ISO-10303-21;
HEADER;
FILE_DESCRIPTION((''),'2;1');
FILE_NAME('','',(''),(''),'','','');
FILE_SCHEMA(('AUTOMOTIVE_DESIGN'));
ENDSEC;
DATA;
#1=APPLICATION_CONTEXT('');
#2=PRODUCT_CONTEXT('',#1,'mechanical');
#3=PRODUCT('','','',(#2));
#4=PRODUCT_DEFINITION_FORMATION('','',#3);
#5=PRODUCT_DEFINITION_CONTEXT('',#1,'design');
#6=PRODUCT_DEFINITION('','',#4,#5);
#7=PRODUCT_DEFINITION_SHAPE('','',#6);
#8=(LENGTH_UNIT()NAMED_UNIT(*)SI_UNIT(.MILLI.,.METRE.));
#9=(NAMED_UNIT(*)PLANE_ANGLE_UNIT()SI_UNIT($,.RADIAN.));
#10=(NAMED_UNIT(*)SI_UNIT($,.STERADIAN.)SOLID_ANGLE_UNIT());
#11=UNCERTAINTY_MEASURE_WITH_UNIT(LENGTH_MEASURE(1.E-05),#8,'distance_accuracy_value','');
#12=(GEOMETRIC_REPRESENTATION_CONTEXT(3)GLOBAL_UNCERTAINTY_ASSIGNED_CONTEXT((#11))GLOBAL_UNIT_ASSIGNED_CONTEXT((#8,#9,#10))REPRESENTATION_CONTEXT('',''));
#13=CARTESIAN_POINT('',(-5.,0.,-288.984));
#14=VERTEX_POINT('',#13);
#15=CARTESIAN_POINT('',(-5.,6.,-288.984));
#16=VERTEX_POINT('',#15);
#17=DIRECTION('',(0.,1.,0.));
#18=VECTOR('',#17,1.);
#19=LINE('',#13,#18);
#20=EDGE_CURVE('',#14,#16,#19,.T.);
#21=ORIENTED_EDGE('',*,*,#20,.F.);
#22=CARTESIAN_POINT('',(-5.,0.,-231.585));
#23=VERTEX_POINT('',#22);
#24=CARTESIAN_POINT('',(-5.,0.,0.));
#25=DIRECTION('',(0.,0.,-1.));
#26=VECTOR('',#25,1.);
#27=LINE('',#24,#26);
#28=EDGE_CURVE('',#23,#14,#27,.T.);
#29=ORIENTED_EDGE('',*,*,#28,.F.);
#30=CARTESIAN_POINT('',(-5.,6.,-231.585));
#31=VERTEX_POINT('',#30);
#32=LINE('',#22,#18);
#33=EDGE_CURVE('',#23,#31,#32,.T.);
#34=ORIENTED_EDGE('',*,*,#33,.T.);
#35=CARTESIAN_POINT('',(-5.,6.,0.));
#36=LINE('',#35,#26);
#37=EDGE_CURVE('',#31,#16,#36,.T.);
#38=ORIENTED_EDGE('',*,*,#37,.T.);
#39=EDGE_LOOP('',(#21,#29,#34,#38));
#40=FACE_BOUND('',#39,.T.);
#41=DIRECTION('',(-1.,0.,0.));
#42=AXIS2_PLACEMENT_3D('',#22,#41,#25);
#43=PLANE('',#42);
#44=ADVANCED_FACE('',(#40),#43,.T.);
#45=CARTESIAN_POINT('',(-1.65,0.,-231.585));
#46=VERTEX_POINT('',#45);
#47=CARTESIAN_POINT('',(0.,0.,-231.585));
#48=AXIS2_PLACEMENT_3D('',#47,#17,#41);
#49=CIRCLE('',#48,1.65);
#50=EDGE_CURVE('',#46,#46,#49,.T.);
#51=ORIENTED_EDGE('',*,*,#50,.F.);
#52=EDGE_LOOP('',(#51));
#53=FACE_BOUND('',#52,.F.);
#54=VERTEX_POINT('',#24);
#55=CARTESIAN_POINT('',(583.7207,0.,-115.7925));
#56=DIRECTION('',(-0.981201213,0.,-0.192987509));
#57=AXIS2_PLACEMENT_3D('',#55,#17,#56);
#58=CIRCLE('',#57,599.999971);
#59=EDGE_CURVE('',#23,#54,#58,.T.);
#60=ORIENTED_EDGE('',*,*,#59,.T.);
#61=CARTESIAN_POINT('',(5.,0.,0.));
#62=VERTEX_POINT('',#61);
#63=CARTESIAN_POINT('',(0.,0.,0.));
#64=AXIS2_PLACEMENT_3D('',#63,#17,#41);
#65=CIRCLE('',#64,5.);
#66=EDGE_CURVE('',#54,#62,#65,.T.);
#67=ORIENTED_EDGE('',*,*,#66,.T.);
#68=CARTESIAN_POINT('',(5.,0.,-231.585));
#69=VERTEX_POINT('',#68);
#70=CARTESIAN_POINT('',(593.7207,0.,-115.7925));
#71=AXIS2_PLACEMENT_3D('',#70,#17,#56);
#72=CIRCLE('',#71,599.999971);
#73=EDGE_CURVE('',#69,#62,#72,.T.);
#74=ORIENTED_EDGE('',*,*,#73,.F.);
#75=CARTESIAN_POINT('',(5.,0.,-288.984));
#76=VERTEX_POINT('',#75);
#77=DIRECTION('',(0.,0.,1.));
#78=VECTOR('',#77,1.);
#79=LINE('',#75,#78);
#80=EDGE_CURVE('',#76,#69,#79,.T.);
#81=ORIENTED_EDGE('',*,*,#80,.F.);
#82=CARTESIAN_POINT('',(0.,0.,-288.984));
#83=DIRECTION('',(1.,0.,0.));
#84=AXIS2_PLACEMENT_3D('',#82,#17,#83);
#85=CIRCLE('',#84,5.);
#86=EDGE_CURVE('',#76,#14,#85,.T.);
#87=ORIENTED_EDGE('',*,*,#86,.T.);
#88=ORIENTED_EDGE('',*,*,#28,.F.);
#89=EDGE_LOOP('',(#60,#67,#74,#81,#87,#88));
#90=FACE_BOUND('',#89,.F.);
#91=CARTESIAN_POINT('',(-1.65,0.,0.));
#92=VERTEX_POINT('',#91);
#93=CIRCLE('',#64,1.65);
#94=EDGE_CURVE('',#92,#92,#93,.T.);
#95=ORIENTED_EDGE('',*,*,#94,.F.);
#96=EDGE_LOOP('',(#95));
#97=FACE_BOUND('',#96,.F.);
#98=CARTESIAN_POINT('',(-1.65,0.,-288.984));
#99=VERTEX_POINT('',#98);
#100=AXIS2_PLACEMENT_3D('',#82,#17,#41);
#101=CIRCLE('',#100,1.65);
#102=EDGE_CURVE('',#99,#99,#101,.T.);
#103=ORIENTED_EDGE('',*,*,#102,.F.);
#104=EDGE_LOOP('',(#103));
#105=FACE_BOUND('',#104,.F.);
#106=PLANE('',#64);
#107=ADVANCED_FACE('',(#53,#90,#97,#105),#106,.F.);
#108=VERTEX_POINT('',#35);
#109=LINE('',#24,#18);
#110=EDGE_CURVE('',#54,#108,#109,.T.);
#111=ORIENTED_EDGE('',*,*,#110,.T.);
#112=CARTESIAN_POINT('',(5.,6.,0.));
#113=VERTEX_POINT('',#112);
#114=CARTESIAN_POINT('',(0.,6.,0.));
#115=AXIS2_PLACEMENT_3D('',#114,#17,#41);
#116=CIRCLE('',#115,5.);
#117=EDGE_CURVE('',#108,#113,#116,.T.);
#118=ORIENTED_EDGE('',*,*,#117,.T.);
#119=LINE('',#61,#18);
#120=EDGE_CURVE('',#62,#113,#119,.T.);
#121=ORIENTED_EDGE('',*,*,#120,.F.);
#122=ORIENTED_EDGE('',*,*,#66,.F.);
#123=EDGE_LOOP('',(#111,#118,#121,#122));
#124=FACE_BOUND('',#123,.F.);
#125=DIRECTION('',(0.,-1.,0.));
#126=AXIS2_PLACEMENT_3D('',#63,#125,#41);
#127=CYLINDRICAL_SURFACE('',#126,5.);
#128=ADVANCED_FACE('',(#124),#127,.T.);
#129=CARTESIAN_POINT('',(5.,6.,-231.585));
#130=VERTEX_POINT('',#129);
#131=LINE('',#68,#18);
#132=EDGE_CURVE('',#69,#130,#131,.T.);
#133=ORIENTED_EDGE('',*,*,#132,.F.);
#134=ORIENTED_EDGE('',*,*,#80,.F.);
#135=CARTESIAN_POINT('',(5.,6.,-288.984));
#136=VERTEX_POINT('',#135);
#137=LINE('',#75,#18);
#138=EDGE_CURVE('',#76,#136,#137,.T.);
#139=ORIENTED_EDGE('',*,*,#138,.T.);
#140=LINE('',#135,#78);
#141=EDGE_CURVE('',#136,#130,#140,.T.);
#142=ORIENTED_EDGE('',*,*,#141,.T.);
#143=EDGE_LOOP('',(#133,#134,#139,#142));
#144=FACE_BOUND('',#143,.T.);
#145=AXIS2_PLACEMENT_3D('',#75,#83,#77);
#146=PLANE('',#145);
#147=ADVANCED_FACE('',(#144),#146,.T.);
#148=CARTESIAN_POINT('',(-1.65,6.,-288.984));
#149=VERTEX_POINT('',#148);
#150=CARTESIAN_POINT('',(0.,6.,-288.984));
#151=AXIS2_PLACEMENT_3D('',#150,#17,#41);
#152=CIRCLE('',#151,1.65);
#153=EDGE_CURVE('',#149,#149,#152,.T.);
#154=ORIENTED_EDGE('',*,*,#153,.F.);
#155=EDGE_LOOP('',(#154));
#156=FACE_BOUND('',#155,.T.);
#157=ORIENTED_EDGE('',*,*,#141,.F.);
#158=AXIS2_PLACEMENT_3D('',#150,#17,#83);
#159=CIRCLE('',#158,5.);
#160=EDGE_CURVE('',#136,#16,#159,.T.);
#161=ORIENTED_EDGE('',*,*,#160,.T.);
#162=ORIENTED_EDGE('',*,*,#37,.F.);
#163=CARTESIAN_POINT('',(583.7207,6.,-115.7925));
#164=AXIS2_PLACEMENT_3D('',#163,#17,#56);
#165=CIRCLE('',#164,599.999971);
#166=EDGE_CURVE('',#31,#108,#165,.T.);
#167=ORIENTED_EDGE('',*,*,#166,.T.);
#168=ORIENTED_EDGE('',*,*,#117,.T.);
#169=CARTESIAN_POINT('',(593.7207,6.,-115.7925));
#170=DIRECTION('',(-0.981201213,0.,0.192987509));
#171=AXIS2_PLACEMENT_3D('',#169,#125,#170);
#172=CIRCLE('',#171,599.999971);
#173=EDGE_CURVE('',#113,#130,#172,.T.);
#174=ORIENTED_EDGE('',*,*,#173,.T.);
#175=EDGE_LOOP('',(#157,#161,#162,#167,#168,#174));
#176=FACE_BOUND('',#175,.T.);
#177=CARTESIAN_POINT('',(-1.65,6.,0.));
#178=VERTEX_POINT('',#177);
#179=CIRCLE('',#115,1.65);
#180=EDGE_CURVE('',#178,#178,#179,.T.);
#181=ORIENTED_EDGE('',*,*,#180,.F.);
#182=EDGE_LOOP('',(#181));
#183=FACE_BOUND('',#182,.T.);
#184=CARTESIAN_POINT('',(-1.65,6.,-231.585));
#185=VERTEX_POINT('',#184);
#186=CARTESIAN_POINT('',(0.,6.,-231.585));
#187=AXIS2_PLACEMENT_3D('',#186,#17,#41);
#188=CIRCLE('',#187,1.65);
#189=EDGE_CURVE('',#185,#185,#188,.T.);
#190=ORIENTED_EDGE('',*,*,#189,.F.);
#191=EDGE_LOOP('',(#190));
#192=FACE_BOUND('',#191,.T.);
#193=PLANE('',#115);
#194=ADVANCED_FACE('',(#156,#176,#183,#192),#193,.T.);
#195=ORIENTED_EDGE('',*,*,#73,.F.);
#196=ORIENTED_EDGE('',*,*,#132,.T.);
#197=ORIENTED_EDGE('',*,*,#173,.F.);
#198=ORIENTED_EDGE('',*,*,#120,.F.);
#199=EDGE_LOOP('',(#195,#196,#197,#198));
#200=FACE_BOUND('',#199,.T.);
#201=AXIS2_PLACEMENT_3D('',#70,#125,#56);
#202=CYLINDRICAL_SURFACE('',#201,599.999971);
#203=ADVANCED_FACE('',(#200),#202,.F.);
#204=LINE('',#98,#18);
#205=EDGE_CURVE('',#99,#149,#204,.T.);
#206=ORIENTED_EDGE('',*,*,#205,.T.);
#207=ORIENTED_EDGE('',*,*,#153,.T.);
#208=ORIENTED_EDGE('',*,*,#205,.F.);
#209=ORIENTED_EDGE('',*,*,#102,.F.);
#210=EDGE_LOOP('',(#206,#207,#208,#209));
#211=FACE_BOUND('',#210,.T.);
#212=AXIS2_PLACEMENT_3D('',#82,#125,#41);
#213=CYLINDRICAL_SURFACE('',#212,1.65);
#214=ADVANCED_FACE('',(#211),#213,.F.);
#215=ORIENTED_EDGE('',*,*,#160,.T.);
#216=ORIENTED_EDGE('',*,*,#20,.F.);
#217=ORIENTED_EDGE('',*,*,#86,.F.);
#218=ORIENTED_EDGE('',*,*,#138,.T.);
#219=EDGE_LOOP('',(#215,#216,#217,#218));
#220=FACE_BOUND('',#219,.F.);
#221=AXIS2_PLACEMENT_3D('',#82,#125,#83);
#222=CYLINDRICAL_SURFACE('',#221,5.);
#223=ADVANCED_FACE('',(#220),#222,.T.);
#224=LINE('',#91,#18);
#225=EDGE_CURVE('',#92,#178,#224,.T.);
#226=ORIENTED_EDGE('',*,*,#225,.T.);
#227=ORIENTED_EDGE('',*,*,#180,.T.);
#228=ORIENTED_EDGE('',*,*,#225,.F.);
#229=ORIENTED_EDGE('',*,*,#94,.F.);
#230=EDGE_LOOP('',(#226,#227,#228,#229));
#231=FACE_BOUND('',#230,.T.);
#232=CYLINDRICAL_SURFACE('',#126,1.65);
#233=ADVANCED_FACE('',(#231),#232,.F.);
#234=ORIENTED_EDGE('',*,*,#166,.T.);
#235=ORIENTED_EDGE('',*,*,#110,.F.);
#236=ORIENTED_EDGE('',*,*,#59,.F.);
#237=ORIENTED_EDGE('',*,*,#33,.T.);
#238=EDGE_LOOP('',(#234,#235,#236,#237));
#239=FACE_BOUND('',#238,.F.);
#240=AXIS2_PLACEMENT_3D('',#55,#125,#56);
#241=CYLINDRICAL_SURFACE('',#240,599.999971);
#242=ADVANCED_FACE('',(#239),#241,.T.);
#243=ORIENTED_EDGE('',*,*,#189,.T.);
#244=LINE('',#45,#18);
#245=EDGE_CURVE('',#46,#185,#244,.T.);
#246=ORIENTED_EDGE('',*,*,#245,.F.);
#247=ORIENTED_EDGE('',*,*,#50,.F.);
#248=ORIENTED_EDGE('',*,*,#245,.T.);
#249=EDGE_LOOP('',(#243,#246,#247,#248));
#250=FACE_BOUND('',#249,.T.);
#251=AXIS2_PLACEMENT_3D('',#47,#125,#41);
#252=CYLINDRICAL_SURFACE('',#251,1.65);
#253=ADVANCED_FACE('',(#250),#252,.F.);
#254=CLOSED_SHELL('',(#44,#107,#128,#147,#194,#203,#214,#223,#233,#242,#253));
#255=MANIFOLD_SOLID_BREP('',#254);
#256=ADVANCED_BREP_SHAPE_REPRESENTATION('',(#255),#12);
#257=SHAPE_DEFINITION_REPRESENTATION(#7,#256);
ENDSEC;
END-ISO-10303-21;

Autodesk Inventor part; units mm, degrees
ref_plane "YZ Plane" through (0, 0, 0) normal (1, 0, 0) x (0, 1, 0)
ref_plane "XZ Plane" through (0, 0, 0) normal (0, 1, 0) x (-1, 0, 0)
ref_plane "XY Plane" through (0, 0, 0) normal (0, 0, 1) x (1, 0, 0)
sketch "Sketch1" plane through (0, 0, 0) normal (0, 1, 0) x (-1, 0, 0)
  line L0 (0, 0) -> (0, -288.984) construction
  line L1 (5, 0) -> (5, -288.984)
  line L2 (-5, -288.984) -> (-5, 0)
  arc A0 (5, 0) -> (-5, 0) centre (0, 0) ccw
  arc A1 (-5, -288.984) -> (5, -288.984) centre (0, -288.984) ccw
  circle A2 centre (0, 0) radius 1.65
  circle A3 centre (0, -288.984) radius 1.65
  circle A4 centre (0, -231.585) radius 1.65
  arc A5 (-5, -231.585) -> (-5, 0) centre (-593.7207, -115.7925) ccw
  arc A6 (5, -231.585) -> (5, 0) centre (-583.7207, -115.7925) ccw
  point P0 (0, -144.492)
  dimension "d0" = 3.3
  dimension "d1" = 3.3
  dimension "d2" = 10
  dimension "d3" = 288.984
  dimension "d14" = 3.3
  dimension "d15" = 231.585
  dimension "d18" = 600
  dimension "d19" = 600
extrude "Extrusion1" add sketch "Sketch1" along normal blind 6 contours L1 A1 L2 A5 | L1 A5 A6 | L1 A5 A0
